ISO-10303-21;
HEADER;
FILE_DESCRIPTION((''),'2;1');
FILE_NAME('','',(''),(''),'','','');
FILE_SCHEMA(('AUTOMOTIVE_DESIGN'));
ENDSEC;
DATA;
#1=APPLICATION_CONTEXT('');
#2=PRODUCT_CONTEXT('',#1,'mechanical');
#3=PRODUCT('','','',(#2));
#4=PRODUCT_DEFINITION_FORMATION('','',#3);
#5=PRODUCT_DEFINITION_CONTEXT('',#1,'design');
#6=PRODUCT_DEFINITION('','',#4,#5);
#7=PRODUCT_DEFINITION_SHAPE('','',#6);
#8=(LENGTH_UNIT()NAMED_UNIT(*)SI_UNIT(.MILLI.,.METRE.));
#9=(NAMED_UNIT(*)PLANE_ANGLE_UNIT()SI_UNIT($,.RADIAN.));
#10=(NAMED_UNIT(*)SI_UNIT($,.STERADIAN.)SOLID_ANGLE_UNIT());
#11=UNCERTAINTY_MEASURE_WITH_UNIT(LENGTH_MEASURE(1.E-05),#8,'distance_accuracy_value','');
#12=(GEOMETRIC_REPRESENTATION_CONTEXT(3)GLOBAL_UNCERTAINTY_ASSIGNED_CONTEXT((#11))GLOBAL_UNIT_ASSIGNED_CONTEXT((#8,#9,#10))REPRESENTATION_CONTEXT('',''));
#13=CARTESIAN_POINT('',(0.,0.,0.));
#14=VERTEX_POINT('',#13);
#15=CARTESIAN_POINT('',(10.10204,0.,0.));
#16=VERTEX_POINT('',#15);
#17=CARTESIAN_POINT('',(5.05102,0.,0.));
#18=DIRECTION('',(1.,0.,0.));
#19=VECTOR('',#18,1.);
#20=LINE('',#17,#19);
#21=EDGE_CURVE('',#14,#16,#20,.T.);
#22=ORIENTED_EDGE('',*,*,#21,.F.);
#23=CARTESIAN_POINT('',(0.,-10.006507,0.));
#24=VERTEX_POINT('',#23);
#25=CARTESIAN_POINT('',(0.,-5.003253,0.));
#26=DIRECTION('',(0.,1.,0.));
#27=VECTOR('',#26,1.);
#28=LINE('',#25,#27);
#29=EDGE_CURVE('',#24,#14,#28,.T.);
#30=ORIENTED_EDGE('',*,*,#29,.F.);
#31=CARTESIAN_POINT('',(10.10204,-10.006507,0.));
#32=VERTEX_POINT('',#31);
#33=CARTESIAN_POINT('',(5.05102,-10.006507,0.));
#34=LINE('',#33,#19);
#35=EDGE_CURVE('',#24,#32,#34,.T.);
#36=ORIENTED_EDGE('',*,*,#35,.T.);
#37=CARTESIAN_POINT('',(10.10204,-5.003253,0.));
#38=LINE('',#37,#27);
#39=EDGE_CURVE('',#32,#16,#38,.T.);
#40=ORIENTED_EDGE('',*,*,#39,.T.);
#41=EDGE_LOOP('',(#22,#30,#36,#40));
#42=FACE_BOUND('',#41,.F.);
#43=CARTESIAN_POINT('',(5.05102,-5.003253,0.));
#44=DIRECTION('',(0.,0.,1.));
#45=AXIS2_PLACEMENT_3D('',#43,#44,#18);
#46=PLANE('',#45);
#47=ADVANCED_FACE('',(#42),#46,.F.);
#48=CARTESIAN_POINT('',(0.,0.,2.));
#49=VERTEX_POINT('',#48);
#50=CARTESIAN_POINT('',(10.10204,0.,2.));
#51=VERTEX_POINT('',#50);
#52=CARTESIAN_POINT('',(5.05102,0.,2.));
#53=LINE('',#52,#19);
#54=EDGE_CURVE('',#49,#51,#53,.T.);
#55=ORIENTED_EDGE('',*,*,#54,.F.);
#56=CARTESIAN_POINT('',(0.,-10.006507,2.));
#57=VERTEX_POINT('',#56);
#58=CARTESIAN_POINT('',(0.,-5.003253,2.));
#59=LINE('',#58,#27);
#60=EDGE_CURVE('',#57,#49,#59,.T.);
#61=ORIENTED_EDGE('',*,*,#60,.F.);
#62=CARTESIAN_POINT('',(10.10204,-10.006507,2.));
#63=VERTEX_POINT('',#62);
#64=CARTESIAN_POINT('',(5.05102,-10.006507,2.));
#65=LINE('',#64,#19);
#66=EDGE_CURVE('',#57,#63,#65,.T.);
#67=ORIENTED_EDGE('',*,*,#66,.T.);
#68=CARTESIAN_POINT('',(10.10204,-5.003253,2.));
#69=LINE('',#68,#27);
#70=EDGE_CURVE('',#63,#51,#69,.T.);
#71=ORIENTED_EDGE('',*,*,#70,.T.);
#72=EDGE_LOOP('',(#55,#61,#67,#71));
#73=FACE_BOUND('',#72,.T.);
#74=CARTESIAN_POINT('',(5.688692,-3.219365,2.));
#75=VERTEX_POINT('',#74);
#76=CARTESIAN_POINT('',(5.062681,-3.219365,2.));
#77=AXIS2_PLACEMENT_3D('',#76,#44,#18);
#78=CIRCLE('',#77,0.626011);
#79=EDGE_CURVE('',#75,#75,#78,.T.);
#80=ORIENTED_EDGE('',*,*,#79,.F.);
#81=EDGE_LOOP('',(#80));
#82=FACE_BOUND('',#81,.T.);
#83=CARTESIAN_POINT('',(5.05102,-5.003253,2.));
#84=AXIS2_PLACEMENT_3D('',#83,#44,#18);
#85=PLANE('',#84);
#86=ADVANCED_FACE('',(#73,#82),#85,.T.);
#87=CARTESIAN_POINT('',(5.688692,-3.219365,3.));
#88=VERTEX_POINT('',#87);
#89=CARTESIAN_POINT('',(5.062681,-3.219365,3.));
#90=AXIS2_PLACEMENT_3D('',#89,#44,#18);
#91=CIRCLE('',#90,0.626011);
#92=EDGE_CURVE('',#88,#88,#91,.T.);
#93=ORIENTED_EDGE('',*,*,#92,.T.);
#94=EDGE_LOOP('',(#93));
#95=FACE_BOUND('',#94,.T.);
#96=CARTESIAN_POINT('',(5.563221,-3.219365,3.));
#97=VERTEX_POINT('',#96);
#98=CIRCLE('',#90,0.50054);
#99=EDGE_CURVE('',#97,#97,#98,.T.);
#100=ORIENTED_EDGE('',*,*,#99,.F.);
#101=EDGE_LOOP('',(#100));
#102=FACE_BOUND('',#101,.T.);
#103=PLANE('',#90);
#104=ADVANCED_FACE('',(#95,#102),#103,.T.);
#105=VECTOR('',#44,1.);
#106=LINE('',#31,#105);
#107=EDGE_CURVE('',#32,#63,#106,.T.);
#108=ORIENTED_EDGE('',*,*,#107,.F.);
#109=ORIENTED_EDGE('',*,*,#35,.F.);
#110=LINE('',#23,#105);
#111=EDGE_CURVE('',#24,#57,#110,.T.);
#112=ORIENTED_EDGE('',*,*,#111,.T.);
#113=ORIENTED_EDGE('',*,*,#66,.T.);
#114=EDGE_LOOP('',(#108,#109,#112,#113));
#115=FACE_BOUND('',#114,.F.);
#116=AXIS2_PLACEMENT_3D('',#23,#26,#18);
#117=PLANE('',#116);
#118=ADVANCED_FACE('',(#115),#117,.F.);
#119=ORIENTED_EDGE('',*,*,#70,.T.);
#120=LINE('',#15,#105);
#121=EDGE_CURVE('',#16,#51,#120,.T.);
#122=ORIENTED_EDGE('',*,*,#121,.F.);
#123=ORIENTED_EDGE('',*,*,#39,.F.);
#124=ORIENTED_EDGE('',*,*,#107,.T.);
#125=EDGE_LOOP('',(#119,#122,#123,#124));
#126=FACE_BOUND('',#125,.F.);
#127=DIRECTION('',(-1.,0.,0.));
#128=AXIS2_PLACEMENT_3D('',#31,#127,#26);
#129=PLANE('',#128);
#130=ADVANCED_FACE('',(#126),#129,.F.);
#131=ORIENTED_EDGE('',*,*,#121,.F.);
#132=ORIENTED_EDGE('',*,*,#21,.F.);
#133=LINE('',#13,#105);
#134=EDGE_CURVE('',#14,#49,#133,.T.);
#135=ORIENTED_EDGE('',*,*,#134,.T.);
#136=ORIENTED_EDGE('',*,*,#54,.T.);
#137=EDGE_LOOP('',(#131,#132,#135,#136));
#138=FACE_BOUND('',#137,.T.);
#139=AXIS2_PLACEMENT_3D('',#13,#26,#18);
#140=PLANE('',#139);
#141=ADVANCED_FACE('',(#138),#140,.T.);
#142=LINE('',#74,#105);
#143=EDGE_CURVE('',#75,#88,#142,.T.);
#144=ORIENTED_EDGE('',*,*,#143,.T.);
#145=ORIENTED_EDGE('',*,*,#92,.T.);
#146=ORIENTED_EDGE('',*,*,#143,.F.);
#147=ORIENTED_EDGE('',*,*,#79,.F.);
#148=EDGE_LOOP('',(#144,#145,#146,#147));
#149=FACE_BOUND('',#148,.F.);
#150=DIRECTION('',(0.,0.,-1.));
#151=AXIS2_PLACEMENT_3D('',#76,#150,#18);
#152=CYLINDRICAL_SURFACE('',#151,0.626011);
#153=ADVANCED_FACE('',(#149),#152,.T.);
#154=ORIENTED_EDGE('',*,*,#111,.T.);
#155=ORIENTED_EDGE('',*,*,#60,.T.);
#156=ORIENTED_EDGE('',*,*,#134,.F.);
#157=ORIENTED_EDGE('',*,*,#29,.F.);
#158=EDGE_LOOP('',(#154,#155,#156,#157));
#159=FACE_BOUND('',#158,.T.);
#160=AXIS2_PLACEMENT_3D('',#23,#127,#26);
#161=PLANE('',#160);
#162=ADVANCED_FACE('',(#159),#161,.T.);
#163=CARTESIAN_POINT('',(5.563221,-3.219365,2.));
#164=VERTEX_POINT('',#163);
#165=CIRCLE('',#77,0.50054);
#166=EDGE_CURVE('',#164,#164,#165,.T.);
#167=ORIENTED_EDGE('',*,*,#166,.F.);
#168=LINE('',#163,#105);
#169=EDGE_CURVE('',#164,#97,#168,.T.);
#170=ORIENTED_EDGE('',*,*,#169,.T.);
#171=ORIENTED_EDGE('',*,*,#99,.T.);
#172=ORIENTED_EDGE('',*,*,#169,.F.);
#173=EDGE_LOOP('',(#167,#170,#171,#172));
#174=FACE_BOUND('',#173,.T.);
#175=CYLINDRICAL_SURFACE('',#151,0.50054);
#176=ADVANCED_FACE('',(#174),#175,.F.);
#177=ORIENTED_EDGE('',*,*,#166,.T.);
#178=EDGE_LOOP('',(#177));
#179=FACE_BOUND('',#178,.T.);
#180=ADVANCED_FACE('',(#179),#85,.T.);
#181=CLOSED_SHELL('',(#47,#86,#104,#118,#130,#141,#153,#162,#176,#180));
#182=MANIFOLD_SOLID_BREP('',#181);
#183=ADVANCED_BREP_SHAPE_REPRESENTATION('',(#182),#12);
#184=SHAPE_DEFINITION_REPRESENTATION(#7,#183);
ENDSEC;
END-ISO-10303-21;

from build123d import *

# Parameters (mm, degrees)
F0_W     = 10.10204
F0_H     = 10.006507
F1_DEPTH = 2
F2_R     = 0.626011
F2_R_2   = 0.50054
F3_DEPTH = 1


with BuildPart() as f1:
    # F0 (on Top) → F1 (new body)
    with BuildSketch(Plane.XY):
        with Locations((5.05102, -5.003253)):
            Rectangle(F0_W, F0_H)
    extrude(amount=F1_DEPTH)

    # F2 (on face) → F3 (join)
    with BuildSketch(Plane.XY.offset(2)):
        with Locations((5.062681, -3.219365)):
            Circle(F2_R)
        with Locations((5.062681, -3.219365)):
            Circle(F2_R_2, mode=Mode.SUBTRACT)
    extrude(amount=F3_DEPTH)


solid = f1.part
